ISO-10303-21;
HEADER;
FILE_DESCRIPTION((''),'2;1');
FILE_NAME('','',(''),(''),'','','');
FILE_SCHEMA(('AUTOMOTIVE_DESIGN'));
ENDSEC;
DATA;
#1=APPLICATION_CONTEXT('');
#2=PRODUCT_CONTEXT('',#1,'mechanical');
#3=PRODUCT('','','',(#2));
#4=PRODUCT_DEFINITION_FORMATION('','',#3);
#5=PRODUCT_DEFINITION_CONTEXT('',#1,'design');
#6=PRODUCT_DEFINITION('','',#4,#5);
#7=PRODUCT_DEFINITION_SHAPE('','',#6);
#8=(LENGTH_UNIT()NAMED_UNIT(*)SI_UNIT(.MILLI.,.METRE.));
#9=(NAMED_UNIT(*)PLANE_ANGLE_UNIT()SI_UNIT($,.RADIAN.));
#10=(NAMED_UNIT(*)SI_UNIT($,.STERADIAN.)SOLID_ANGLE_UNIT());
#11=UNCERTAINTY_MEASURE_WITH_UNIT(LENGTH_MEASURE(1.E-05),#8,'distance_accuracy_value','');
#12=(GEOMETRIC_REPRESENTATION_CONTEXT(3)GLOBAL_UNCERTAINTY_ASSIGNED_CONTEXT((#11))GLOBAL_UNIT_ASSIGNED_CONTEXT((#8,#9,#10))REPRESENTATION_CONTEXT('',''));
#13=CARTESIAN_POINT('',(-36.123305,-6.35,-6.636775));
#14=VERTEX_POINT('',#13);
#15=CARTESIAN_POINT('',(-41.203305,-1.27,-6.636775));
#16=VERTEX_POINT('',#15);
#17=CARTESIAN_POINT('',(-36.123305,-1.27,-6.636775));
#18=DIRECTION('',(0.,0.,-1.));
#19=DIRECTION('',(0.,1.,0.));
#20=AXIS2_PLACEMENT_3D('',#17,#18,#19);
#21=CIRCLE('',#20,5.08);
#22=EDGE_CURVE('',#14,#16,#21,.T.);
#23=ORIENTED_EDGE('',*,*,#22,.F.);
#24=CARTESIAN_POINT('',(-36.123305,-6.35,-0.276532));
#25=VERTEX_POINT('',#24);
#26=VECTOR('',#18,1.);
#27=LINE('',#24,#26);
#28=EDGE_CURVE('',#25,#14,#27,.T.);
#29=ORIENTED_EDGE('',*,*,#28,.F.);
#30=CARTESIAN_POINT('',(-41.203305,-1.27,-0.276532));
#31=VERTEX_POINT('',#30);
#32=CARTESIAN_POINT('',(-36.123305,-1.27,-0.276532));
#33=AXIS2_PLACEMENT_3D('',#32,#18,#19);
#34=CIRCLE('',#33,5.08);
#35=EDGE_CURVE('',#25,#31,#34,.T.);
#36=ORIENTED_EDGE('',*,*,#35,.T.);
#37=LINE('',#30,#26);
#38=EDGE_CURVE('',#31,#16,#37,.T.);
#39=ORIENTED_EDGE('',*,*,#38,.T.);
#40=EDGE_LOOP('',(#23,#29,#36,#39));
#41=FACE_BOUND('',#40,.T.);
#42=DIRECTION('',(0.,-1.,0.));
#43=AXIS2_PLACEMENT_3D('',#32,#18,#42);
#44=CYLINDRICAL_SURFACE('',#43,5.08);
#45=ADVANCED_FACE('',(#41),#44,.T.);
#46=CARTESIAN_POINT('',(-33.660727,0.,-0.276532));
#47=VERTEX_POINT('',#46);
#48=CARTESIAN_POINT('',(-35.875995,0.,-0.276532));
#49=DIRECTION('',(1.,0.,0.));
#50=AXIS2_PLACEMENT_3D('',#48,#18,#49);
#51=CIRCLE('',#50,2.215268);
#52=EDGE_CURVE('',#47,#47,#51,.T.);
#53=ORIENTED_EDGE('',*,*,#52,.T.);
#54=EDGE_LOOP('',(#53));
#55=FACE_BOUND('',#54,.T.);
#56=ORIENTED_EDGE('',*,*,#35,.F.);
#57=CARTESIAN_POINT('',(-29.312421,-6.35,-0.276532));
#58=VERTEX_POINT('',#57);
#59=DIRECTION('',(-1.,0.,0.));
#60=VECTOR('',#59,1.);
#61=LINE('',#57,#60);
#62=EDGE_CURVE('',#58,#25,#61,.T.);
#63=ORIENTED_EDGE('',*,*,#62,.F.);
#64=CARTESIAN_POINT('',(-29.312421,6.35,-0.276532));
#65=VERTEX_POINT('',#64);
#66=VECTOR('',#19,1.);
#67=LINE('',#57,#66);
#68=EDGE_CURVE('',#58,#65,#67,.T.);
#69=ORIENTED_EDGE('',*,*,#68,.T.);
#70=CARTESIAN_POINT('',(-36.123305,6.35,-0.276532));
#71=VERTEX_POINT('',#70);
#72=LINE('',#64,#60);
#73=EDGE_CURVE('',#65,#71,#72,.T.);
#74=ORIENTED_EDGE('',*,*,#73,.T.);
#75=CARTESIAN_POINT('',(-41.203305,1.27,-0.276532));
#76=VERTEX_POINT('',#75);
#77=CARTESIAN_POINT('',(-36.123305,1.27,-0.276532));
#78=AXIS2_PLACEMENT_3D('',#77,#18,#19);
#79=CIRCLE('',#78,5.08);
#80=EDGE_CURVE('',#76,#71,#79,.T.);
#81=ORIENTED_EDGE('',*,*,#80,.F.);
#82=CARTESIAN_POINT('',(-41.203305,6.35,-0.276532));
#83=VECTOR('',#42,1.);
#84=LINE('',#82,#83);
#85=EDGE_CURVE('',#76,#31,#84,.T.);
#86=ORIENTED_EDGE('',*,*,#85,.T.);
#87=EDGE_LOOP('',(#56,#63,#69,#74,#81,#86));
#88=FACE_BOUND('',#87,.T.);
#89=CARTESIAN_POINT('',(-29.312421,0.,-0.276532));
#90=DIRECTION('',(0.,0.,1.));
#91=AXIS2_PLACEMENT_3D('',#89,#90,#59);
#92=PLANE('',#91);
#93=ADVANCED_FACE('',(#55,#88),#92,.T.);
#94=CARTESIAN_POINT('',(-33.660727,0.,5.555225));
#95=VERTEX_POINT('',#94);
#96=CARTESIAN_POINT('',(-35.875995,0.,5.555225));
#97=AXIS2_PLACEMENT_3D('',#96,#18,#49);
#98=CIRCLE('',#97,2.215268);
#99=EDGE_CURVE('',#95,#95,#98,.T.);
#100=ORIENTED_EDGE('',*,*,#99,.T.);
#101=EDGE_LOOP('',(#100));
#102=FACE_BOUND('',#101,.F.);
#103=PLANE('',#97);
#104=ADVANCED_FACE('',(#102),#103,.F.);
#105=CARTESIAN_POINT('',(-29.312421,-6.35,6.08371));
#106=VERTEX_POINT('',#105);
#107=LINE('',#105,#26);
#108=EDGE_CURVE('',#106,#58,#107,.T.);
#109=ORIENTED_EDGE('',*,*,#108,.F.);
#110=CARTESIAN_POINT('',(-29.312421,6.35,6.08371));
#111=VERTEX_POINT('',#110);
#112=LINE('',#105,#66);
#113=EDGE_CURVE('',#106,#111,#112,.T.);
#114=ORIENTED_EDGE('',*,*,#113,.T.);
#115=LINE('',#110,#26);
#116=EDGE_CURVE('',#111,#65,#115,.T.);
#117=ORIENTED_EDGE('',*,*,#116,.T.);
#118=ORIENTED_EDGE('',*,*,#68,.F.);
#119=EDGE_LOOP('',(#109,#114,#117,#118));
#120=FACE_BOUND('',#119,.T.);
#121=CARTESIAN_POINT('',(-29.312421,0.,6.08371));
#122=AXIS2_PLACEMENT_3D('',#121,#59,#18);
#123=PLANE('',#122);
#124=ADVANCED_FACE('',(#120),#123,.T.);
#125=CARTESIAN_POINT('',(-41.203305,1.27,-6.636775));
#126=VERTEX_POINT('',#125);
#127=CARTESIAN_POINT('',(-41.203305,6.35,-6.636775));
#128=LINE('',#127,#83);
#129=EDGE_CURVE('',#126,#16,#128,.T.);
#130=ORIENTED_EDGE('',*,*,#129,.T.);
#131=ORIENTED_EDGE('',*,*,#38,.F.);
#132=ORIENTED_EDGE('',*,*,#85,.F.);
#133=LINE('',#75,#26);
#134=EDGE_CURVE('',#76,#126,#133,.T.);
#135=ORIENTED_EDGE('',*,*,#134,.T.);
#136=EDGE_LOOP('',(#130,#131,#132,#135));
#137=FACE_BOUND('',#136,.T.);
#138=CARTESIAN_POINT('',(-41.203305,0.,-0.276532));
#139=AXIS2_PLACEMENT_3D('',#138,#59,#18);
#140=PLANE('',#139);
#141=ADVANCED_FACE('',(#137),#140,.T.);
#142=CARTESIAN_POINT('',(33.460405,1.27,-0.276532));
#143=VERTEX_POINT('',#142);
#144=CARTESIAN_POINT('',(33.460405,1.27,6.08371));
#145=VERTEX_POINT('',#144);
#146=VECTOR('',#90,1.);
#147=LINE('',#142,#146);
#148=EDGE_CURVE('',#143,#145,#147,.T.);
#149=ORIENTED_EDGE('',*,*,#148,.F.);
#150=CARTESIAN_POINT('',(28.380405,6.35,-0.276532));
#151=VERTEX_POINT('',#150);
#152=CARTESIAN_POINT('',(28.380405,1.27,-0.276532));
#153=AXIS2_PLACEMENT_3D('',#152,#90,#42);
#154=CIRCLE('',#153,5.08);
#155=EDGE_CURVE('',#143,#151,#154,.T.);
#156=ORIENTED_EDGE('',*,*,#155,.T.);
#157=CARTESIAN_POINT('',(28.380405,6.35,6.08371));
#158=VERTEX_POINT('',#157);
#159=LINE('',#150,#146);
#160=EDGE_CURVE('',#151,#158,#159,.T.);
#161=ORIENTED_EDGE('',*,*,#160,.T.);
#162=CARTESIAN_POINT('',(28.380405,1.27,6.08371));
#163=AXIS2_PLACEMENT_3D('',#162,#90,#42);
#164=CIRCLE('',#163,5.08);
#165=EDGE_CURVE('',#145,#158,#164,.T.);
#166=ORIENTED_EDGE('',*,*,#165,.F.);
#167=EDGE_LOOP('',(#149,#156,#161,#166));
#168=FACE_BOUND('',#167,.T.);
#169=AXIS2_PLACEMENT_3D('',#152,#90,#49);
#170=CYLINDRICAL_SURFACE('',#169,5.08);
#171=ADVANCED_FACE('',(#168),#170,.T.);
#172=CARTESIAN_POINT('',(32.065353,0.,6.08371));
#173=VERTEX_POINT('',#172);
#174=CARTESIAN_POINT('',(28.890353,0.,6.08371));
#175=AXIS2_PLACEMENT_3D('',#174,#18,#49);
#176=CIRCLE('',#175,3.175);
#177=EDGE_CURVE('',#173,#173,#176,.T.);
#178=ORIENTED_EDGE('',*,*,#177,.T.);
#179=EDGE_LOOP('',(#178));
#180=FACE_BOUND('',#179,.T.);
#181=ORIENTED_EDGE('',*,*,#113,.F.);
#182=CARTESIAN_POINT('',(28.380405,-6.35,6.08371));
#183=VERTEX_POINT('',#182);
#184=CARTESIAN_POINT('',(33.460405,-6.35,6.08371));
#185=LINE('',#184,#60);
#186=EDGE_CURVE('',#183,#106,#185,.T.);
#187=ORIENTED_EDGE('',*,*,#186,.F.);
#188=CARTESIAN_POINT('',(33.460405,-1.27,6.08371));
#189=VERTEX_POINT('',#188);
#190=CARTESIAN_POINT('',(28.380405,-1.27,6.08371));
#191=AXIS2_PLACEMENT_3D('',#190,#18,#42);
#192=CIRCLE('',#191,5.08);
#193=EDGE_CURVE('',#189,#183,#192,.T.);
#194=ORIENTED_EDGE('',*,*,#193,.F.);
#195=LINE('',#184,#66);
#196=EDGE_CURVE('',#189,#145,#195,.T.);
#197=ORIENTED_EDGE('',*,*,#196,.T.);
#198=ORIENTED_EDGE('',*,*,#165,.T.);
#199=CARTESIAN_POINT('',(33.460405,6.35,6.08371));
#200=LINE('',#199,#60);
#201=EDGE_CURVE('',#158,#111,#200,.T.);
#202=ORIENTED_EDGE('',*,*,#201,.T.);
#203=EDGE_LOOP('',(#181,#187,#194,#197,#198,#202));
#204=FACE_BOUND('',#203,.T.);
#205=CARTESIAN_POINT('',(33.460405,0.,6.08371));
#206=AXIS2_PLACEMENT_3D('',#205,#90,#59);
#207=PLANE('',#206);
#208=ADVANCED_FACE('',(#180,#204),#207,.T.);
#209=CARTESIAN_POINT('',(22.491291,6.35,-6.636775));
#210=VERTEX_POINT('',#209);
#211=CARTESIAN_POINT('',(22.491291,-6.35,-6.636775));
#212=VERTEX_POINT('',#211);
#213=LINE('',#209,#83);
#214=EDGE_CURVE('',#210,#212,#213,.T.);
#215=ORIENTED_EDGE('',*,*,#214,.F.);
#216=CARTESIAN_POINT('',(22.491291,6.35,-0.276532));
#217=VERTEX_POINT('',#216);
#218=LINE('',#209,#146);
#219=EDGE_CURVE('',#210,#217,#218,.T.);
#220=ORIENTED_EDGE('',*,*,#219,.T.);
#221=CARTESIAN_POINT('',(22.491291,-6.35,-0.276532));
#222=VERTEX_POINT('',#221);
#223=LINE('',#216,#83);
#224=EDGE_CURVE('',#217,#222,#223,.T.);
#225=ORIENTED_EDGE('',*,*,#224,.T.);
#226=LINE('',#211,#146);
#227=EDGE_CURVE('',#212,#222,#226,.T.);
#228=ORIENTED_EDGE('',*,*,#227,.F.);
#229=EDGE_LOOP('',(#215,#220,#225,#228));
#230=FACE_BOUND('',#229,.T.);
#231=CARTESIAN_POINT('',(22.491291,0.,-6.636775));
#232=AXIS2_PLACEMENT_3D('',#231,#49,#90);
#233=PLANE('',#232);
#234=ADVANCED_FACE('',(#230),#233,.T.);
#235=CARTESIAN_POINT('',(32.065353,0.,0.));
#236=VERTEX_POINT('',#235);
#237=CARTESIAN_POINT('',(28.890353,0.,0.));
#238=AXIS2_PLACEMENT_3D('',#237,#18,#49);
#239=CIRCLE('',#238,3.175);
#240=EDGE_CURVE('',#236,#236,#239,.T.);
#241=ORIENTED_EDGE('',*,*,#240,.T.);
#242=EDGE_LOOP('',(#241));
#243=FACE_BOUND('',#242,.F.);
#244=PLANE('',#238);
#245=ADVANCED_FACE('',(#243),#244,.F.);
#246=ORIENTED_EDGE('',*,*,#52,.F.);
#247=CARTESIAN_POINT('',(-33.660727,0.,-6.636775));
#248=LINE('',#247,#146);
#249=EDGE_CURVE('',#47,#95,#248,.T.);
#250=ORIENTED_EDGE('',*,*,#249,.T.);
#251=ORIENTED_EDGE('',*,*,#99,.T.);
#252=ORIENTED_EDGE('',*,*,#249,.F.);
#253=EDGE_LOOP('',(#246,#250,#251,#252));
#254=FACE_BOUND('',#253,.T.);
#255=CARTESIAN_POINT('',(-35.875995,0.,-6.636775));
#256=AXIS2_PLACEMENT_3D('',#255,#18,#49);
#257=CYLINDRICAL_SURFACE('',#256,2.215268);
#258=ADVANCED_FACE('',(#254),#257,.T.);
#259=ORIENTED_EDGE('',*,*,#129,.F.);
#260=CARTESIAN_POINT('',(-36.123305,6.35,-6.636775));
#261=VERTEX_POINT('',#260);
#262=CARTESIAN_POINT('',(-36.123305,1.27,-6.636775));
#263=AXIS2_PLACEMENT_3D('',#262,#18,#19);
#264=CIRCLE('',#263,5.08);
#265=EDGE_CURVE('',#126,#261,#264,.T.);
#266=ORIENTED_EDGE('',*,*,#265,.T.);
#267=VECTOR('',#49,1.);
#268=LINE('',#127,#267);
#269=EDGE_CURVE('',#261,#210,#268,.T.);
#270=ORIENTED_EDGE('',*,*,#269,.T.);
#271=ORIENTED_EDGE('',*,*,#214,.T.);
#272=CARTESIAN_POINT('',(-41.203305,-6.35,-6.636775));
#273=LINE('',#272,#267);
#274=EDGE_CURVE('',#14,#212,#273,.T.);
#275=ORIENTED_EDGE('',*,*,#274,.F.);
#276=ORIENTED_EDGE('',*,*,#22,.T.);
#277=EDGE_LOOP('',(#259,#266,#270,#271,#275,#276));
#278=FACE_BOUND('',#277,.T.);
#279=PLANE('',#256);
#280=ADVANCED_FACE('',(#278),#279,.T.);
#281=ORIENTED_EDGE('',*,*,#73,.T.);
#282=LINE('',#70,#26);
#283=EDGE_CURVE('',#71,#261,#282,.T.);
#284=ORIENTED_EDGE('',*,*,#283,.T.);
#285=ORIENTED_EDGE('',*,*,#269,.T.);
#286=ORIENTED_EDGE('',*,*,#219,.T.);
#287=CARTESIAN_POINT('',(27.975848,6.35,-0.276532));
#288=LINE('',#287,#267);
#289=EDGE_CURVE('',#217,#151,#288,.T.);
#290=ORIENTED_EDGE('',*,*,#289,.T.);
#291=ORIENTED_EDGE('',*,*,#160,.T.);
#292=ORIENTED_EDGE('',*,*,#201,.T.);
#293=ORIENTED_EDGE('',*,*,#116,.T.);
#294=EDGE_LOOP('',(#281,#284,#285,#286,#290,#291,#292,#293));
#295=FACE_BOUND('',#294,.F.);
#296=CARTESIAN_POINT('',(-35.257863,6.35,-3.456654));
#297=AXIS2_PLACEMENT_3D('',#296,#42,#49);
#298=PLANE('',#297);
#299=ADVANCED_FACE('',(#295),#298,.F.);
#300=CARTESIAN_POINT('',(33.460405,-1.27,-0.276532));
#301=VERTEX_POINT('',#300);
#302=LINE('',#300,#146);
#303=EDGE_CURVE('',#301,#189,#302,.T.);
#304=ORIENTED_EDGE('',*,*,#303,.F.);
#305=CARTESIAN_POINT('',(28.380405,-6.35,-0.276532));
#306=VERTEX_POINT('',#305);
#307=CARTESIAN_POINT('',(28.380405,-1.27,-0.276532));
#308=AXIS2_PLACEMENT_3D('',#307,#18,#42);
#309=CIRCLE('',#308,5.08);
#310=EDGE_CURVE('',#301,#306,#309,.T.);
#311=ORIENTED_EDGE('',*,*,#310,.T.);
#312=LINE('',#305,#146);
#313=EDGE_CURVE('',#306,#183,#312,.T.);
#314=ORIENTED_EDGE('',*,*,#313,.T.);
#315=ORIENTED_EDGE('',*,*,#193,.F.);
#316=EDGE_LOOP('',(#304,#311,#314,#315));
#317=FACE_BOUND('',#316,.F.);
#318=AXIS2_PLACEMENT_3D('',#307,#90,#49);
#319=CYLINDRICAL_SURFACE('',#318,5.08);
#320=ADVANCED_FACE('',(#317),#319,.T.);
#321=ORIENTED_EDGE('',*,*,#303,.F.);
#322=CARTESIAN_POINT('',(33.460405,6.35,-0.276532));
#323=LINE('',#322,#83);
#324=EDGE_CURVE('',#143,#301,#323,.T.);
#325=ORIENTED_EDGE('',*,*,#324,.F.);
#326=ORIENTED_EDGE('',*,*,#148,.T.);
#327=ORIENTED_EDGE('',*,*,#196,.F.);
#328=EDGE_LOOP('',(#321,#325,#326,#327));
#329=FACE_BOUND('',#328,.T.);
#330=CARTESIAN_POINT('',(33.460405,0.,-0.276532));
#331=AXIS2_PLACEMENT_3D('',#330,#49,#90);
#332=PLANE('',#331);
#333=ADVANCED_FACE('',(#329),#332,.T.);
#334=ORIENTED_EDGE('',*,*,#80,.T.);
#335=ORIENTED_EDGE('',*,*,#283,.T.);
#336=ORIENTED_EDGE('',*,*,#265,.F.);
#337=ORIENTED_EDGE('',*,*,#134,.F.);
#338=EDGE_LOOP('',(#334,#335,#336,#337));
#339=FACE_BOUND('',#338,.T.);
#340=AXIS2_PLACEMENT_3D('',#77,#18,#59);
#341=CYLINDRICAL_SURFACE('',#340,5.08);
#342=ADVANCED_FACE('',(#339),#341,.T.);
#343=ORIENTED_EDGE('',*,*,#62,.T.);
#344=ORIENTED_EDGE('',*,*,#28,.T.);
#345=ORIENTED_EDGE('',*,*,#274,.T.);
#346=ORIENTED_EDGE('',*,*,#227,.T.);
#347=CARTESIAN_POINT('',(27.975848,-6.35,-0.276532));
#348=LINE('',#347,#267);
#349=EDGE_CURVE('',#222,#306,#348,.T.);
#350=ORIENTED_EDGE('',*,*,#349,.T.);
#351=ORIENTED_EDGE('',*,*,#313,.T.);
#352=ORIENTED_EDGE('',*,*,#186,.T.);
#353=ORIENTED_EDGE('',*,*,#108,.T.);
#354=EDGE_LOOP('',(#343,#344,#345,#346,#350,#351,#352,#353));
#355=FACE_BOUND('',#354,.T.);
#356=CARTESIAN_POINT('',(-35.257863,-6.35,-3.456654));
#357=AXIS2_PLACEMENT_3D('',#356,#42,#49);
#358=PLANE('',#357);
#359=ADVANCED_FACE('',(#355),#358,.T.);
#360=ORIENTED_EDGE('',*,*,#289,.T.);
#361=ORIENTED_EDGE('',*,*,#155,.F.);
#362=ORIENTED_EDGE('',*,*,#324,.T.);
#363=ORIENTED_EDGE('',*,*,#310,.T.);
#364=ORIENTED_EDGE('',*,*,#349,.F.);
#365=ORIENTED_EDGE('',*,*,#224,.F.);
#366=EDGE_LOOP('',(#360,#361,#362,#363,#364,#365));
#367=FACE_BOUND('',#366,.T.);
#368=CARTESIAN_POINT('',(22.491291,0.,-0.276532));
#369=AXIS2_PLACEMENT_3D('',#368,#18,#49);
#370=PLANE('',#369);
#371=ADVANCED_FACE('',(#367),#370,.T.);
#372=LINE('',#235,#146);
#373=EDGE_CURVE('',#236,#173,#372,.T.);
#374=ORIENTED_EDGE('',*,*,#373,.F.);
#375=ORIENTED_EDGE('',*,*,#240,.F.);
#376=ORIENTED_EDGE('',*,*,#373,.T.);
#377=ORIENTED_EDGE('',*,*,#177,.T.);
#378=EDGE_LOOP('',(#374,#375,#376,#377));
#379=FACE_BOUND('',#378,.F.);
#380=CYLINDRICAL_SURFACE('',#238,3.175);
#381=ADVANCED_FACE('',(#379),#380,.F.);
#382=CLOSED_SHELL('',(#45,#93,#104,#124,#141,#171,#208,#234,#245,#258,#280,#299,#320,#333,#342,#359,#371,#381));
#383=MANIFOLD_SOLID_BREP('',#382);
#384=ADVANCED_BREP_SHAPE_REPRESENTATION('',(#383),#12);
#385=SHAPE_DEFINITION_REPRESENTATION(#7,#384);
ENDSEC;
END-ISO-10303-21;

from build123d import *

# Parameters (mm, degrees)
F0_W     = 10.9691135585
F0_H     = 6.3602421433
F1_DEPTH = 6.35
F2_DEPTH = 6.35
F3_R     = 5.08
F5_D     = 6.35
F5_DEPTH = 6.0847096535
F6_R     = 2.2152679596
F7_DEPTH = 12.192


with BuildPart() as f1:
    # F0 (on Front) → F1 (new body)
    with BuildSketch(Plane.XZ):
        Polygon((-29.3124206364, -6.6367746331), (-29.3124206364, -0.2765324898), (-33.8291116059, -0.2765324898), (-37.5162102282, -0.2765324898), (-41.2033051252, -0.2765324898), (-41.2033051252, -6.6367746331), align=None)
        Polygon((22.4912911654, 6.0837096535), (-29.3124206364, 6.0837096535), (-29.3124206364, -0.2765324898), (-29.3124206364, -6.6367746331), (22.4912911654, -6.6367746331), (22.4912911654, -0.2765324898), align=None)
        with Locations((27.9758479446, 2.9035885818)):
            Rectangle(F0_W, F0_H)
    extrude(amount=F1_DEPTH)

    # F2 (add): a face of the model
    f2_faces = [f1.faces().sort_by_distance(p)[0] for p in [
        (-3.6826618353, 0, -0.2997111323),
    ]]
    extrude(f2_faces, amount=F2_DEPTH)

    # F3
    f3_edges = [f1.edges().sort_by_distance(p)[0] for p in [
        (-41.203305, -6.35, -3.456654),
        (-41.203305, 6.35, -3.456654),
        (33.460405, -6.35, 2.903589),
        (33.460405, 6.35, 2.903589),
    ]]
    fillet(f3_edges, radius=F3_R)

    # F5 (through all, one way)
    with BuildSketch(Plane(origin=(0, 0, 0), x_dir=(1, 0, 0), z_dir=(0, 0, -1))):
        with Locations((28.8903526962, 0)):
            Circle(F5_D / 2)
    extrude(amount=-F5_DEPTH, mode=Mode.SUBTRACT)

    # F6 (on face) → F7 (join)
    with BuildSketch(Plane(origin=(0, 0, -6.6367746331), x_dir=(1, 0, 0), z_dir=(0, 0, -1))):
        with Locations((-35.8759947121, 0)):
            Circle(F6_R)
    extrude(amount=-F7_DEPTH)


solid = f1.part
